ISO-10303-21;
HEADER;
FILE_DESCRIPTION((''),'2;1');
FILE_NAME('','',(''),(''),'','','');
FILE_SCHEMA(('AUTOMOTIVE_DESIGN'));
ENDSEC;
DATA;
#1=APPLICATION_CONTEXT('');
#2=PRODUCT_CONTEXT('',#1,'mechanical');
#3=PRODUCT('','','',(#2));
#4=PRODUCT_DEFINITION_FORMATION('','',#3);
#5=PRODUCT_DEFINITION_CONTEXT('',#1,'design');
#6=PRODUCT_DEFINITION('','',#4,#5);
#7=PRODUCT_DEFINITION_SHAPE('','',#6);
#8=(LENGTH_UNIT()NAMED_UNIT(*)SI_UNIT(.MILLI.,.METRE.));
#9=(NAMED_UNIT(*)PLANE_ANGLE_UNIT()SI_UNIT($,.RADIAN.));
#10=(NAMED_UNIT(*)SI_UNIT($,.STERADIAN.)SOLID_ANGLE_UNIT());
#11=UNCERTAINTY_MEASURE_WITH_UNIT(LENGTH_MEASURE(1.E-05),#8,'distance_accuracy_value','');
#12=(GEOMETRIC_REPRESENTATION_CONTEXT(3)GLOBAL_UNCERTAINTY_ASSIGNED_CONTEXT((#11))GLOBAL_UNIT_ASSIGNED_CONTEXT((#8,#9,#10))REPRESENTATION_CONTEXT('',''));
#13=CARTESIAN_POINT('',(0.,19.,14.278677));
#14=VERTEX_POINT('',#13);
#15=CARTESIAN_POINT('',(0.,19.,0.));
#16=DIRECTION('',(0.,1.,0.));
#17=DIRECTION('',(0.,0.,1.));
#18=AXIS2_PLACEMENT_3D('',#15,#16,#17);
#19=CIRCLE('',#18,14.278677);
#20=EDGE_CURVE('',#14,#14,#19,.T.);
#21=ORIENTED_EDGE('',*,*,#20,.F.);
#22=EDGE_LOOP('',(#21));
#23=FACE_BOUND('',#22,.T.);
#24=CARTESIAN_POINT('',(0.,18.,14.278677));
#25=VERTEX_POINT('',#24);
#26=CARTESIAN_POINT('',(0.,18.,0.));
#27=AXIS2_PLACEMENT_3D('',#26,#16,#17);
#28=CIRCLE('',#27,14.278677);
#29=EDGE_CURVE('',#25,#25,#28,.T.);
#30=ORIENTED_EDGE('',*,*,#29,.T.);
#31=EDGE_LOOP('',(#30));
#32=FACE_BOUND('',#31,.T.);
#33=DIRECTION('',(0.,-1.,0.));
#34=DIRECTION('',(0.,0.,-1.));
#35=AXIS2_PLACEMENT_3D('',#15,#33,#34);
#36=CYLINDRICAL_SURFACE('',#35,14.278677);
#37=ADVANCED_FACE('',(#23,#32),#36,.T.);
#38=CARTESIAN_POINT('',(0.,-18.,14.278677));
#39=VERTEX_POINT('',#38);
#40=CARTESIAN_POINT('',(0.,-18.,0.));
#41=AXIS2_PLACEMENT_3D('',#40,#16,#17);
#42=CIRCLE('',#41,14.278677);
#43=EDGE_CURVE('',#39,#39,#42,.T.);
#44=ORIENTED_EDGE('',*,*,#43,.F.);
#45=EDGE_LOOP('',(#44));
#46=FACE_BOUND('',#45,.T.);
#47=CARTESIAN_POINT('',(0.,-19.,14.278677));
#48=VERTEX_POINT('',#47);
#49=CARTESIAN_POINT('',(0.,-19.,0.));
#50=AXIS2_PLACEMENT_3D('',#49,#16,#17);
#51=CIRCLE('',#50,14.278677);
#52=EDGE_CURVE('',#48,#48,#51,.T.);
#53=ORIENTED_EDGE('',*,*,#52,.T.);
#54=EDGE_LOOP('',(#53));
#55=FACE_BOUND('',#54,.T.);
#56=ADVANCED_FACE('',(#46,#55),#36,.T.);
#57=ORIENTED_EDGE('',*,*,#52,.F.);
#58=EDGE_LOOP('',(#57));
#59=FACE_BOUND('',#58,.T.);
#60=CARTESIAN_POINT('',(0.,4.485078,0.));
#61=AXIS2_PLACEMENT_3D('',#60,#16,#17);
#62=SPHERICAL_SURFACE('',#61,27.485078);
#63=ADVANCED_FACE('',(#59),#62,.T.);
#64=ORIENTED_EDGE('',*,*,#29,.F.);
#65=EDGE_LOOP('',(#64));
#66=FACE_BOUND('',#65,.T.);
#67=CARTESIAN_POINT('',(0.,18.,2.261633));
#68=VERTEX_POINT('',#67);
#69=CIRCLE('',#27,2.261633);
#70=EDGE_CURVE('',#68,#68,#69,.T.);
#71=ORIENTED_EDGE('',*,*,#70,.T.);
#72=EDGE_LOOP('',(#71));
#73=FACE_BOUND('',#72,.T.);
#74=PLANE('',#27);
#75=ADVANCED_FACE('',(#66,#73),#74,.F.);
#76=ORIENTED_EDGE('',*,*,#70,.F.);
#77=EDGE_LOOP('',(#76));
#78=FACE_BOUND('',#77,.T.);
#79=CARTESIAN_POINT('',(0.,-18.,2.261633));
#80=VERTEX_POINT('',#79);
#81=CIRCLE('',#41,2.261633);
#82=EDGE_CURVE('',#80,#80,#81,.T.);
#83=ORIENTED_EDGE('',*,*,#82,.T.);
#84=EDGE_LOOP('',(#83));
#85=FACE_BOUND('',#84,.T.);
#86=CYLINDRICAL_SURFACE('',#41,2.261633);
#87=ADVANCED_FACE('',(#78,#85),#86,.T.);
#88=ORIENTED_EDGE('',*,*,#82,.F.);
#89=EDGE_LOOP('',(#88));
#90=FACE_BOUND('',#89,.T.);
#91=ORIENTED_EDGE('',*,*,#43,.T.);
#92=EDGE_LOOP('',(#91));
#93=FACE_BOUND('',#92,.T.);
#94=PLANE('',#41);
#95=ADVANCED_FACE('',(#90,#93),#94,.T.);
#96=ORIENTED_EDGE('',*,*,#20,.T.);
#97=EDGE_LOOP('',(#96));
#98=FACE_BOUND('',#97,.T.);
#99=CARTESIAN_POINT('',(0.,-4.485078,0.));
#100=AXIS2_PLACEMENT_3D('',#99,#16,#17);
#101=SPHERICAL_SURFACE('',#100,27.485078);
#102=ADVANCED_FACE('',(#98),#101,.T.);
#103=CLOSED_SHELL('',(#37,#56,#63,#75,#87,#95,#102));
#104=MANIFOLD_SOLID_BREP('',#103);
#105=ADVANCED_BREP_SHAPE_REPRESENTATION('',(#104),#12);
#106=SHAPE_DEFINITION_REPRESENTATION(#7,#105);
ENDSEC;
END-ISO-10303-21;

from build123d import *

# Parameters (mm, degrees)
SKETCH1_R           = 14.278677311
SKETCH1_R_2         = 2.261632511
BOSS_EXTRUDE1_DEPTH = 19
SKETCH1_3_R         = 14.278677311
SKETCH1_3_R_2       = 2.261632511
CUT_EXTRUDE1_DEPTH  = 18
DOME1_FACE_RADIUS   = 14.278677311
DOME1_HEIGHT        = 4
DOME2_FACE_RADIUS   = 14.278677311
DOME2_HEIGHT        = 4


with BuildPart() as part:
    # Sketch1 → Boss-Extrude1 (new, symmetric)
    with BuildSketch(Plane(origin=(0, 0, 0), x_dir=(1, 0, 0), z_dir=(0, 1, 0))):
        with Locations(Location((0, 0, 0), (0, 0, 270))):
            Circle(SKETCH1_R)
        Circle(SKETCH1_R_2, mode=Mode.SUBTRACT)
        Circle(SKETCH1_R_2)
    extrude(amount=BOSS_EXTRUDE1_DEPTH, both=True)

    # Sketch1<3> → Cut-Extrude1 (cut, symmetric)
    with BuildSketch(Plane(origin=(0, 0, 0), x_dir=(1, 0, 0), z_dir=(0, 1, 0))):
        with Locations(Location((0, 0, 0), (0, 0, 270))):
            Circle(SKETCH1_3_R)
        with Locations(Location((0, 0, 0), (0, 0, 270))):
            Circle(SKETCH1_3_R_2, mode=Mode.SUBTRACT)
    extrude(amount=CUT_EXTRUDE1_DEPTH, both=True, mode=Mode.SUBTRACT)

    # Dome1: a dome of height H over a round flat face of radius A is a cap of a sphere of radius (A * A + H * H) / (2 * H)
    dome1_r = (DOME1_FACE_RADIUS * DOME1_FACE_RADIUS + DOME1_HEIGHT * DOME1_HEIGHT) / (2 * DOME1_HEIGHT)
    dome1_base = Plane((0, -19, 0), z_dir=(0, -1, 0))
    with Locations(dome1_base.offset(DOME1_HEIGHT - dome1_r)):
        dome1_ball = Sphere(dome1_r, mode=Mode.PRIVATE)
    add(split(dome1_ball, bisect_by=dome1_base, keep=Keep.TOP, mode=Mode.PRIVATE))

    # Dome2: a dome of height H over a round flat face of radius A is a cap of a sphere of radius (A * A + H * H) / (2 * H)
    dome2_r = (DOME2_FACE_RADIUS * DOME2_FACE_RADIUS + DOME2_HEIGHT * DOME2_HEIGHT) / (2 * DOME2_HEIGHT)
    dome2_base = Plane((0, 19, 0), z_dir=(0, 1, 0))
    with Locations(dome2_base.offset(DOME2_HEIGHT - dome2_r)):
        dome2_ball = Sphere(dome2_r, mode=Mode.PRIVATE)
    add(split(dome2_ball, bisect_by=dome2_base, keep=Keep.TOP, mode=Mode.PRIVATE))


solid = part.part
